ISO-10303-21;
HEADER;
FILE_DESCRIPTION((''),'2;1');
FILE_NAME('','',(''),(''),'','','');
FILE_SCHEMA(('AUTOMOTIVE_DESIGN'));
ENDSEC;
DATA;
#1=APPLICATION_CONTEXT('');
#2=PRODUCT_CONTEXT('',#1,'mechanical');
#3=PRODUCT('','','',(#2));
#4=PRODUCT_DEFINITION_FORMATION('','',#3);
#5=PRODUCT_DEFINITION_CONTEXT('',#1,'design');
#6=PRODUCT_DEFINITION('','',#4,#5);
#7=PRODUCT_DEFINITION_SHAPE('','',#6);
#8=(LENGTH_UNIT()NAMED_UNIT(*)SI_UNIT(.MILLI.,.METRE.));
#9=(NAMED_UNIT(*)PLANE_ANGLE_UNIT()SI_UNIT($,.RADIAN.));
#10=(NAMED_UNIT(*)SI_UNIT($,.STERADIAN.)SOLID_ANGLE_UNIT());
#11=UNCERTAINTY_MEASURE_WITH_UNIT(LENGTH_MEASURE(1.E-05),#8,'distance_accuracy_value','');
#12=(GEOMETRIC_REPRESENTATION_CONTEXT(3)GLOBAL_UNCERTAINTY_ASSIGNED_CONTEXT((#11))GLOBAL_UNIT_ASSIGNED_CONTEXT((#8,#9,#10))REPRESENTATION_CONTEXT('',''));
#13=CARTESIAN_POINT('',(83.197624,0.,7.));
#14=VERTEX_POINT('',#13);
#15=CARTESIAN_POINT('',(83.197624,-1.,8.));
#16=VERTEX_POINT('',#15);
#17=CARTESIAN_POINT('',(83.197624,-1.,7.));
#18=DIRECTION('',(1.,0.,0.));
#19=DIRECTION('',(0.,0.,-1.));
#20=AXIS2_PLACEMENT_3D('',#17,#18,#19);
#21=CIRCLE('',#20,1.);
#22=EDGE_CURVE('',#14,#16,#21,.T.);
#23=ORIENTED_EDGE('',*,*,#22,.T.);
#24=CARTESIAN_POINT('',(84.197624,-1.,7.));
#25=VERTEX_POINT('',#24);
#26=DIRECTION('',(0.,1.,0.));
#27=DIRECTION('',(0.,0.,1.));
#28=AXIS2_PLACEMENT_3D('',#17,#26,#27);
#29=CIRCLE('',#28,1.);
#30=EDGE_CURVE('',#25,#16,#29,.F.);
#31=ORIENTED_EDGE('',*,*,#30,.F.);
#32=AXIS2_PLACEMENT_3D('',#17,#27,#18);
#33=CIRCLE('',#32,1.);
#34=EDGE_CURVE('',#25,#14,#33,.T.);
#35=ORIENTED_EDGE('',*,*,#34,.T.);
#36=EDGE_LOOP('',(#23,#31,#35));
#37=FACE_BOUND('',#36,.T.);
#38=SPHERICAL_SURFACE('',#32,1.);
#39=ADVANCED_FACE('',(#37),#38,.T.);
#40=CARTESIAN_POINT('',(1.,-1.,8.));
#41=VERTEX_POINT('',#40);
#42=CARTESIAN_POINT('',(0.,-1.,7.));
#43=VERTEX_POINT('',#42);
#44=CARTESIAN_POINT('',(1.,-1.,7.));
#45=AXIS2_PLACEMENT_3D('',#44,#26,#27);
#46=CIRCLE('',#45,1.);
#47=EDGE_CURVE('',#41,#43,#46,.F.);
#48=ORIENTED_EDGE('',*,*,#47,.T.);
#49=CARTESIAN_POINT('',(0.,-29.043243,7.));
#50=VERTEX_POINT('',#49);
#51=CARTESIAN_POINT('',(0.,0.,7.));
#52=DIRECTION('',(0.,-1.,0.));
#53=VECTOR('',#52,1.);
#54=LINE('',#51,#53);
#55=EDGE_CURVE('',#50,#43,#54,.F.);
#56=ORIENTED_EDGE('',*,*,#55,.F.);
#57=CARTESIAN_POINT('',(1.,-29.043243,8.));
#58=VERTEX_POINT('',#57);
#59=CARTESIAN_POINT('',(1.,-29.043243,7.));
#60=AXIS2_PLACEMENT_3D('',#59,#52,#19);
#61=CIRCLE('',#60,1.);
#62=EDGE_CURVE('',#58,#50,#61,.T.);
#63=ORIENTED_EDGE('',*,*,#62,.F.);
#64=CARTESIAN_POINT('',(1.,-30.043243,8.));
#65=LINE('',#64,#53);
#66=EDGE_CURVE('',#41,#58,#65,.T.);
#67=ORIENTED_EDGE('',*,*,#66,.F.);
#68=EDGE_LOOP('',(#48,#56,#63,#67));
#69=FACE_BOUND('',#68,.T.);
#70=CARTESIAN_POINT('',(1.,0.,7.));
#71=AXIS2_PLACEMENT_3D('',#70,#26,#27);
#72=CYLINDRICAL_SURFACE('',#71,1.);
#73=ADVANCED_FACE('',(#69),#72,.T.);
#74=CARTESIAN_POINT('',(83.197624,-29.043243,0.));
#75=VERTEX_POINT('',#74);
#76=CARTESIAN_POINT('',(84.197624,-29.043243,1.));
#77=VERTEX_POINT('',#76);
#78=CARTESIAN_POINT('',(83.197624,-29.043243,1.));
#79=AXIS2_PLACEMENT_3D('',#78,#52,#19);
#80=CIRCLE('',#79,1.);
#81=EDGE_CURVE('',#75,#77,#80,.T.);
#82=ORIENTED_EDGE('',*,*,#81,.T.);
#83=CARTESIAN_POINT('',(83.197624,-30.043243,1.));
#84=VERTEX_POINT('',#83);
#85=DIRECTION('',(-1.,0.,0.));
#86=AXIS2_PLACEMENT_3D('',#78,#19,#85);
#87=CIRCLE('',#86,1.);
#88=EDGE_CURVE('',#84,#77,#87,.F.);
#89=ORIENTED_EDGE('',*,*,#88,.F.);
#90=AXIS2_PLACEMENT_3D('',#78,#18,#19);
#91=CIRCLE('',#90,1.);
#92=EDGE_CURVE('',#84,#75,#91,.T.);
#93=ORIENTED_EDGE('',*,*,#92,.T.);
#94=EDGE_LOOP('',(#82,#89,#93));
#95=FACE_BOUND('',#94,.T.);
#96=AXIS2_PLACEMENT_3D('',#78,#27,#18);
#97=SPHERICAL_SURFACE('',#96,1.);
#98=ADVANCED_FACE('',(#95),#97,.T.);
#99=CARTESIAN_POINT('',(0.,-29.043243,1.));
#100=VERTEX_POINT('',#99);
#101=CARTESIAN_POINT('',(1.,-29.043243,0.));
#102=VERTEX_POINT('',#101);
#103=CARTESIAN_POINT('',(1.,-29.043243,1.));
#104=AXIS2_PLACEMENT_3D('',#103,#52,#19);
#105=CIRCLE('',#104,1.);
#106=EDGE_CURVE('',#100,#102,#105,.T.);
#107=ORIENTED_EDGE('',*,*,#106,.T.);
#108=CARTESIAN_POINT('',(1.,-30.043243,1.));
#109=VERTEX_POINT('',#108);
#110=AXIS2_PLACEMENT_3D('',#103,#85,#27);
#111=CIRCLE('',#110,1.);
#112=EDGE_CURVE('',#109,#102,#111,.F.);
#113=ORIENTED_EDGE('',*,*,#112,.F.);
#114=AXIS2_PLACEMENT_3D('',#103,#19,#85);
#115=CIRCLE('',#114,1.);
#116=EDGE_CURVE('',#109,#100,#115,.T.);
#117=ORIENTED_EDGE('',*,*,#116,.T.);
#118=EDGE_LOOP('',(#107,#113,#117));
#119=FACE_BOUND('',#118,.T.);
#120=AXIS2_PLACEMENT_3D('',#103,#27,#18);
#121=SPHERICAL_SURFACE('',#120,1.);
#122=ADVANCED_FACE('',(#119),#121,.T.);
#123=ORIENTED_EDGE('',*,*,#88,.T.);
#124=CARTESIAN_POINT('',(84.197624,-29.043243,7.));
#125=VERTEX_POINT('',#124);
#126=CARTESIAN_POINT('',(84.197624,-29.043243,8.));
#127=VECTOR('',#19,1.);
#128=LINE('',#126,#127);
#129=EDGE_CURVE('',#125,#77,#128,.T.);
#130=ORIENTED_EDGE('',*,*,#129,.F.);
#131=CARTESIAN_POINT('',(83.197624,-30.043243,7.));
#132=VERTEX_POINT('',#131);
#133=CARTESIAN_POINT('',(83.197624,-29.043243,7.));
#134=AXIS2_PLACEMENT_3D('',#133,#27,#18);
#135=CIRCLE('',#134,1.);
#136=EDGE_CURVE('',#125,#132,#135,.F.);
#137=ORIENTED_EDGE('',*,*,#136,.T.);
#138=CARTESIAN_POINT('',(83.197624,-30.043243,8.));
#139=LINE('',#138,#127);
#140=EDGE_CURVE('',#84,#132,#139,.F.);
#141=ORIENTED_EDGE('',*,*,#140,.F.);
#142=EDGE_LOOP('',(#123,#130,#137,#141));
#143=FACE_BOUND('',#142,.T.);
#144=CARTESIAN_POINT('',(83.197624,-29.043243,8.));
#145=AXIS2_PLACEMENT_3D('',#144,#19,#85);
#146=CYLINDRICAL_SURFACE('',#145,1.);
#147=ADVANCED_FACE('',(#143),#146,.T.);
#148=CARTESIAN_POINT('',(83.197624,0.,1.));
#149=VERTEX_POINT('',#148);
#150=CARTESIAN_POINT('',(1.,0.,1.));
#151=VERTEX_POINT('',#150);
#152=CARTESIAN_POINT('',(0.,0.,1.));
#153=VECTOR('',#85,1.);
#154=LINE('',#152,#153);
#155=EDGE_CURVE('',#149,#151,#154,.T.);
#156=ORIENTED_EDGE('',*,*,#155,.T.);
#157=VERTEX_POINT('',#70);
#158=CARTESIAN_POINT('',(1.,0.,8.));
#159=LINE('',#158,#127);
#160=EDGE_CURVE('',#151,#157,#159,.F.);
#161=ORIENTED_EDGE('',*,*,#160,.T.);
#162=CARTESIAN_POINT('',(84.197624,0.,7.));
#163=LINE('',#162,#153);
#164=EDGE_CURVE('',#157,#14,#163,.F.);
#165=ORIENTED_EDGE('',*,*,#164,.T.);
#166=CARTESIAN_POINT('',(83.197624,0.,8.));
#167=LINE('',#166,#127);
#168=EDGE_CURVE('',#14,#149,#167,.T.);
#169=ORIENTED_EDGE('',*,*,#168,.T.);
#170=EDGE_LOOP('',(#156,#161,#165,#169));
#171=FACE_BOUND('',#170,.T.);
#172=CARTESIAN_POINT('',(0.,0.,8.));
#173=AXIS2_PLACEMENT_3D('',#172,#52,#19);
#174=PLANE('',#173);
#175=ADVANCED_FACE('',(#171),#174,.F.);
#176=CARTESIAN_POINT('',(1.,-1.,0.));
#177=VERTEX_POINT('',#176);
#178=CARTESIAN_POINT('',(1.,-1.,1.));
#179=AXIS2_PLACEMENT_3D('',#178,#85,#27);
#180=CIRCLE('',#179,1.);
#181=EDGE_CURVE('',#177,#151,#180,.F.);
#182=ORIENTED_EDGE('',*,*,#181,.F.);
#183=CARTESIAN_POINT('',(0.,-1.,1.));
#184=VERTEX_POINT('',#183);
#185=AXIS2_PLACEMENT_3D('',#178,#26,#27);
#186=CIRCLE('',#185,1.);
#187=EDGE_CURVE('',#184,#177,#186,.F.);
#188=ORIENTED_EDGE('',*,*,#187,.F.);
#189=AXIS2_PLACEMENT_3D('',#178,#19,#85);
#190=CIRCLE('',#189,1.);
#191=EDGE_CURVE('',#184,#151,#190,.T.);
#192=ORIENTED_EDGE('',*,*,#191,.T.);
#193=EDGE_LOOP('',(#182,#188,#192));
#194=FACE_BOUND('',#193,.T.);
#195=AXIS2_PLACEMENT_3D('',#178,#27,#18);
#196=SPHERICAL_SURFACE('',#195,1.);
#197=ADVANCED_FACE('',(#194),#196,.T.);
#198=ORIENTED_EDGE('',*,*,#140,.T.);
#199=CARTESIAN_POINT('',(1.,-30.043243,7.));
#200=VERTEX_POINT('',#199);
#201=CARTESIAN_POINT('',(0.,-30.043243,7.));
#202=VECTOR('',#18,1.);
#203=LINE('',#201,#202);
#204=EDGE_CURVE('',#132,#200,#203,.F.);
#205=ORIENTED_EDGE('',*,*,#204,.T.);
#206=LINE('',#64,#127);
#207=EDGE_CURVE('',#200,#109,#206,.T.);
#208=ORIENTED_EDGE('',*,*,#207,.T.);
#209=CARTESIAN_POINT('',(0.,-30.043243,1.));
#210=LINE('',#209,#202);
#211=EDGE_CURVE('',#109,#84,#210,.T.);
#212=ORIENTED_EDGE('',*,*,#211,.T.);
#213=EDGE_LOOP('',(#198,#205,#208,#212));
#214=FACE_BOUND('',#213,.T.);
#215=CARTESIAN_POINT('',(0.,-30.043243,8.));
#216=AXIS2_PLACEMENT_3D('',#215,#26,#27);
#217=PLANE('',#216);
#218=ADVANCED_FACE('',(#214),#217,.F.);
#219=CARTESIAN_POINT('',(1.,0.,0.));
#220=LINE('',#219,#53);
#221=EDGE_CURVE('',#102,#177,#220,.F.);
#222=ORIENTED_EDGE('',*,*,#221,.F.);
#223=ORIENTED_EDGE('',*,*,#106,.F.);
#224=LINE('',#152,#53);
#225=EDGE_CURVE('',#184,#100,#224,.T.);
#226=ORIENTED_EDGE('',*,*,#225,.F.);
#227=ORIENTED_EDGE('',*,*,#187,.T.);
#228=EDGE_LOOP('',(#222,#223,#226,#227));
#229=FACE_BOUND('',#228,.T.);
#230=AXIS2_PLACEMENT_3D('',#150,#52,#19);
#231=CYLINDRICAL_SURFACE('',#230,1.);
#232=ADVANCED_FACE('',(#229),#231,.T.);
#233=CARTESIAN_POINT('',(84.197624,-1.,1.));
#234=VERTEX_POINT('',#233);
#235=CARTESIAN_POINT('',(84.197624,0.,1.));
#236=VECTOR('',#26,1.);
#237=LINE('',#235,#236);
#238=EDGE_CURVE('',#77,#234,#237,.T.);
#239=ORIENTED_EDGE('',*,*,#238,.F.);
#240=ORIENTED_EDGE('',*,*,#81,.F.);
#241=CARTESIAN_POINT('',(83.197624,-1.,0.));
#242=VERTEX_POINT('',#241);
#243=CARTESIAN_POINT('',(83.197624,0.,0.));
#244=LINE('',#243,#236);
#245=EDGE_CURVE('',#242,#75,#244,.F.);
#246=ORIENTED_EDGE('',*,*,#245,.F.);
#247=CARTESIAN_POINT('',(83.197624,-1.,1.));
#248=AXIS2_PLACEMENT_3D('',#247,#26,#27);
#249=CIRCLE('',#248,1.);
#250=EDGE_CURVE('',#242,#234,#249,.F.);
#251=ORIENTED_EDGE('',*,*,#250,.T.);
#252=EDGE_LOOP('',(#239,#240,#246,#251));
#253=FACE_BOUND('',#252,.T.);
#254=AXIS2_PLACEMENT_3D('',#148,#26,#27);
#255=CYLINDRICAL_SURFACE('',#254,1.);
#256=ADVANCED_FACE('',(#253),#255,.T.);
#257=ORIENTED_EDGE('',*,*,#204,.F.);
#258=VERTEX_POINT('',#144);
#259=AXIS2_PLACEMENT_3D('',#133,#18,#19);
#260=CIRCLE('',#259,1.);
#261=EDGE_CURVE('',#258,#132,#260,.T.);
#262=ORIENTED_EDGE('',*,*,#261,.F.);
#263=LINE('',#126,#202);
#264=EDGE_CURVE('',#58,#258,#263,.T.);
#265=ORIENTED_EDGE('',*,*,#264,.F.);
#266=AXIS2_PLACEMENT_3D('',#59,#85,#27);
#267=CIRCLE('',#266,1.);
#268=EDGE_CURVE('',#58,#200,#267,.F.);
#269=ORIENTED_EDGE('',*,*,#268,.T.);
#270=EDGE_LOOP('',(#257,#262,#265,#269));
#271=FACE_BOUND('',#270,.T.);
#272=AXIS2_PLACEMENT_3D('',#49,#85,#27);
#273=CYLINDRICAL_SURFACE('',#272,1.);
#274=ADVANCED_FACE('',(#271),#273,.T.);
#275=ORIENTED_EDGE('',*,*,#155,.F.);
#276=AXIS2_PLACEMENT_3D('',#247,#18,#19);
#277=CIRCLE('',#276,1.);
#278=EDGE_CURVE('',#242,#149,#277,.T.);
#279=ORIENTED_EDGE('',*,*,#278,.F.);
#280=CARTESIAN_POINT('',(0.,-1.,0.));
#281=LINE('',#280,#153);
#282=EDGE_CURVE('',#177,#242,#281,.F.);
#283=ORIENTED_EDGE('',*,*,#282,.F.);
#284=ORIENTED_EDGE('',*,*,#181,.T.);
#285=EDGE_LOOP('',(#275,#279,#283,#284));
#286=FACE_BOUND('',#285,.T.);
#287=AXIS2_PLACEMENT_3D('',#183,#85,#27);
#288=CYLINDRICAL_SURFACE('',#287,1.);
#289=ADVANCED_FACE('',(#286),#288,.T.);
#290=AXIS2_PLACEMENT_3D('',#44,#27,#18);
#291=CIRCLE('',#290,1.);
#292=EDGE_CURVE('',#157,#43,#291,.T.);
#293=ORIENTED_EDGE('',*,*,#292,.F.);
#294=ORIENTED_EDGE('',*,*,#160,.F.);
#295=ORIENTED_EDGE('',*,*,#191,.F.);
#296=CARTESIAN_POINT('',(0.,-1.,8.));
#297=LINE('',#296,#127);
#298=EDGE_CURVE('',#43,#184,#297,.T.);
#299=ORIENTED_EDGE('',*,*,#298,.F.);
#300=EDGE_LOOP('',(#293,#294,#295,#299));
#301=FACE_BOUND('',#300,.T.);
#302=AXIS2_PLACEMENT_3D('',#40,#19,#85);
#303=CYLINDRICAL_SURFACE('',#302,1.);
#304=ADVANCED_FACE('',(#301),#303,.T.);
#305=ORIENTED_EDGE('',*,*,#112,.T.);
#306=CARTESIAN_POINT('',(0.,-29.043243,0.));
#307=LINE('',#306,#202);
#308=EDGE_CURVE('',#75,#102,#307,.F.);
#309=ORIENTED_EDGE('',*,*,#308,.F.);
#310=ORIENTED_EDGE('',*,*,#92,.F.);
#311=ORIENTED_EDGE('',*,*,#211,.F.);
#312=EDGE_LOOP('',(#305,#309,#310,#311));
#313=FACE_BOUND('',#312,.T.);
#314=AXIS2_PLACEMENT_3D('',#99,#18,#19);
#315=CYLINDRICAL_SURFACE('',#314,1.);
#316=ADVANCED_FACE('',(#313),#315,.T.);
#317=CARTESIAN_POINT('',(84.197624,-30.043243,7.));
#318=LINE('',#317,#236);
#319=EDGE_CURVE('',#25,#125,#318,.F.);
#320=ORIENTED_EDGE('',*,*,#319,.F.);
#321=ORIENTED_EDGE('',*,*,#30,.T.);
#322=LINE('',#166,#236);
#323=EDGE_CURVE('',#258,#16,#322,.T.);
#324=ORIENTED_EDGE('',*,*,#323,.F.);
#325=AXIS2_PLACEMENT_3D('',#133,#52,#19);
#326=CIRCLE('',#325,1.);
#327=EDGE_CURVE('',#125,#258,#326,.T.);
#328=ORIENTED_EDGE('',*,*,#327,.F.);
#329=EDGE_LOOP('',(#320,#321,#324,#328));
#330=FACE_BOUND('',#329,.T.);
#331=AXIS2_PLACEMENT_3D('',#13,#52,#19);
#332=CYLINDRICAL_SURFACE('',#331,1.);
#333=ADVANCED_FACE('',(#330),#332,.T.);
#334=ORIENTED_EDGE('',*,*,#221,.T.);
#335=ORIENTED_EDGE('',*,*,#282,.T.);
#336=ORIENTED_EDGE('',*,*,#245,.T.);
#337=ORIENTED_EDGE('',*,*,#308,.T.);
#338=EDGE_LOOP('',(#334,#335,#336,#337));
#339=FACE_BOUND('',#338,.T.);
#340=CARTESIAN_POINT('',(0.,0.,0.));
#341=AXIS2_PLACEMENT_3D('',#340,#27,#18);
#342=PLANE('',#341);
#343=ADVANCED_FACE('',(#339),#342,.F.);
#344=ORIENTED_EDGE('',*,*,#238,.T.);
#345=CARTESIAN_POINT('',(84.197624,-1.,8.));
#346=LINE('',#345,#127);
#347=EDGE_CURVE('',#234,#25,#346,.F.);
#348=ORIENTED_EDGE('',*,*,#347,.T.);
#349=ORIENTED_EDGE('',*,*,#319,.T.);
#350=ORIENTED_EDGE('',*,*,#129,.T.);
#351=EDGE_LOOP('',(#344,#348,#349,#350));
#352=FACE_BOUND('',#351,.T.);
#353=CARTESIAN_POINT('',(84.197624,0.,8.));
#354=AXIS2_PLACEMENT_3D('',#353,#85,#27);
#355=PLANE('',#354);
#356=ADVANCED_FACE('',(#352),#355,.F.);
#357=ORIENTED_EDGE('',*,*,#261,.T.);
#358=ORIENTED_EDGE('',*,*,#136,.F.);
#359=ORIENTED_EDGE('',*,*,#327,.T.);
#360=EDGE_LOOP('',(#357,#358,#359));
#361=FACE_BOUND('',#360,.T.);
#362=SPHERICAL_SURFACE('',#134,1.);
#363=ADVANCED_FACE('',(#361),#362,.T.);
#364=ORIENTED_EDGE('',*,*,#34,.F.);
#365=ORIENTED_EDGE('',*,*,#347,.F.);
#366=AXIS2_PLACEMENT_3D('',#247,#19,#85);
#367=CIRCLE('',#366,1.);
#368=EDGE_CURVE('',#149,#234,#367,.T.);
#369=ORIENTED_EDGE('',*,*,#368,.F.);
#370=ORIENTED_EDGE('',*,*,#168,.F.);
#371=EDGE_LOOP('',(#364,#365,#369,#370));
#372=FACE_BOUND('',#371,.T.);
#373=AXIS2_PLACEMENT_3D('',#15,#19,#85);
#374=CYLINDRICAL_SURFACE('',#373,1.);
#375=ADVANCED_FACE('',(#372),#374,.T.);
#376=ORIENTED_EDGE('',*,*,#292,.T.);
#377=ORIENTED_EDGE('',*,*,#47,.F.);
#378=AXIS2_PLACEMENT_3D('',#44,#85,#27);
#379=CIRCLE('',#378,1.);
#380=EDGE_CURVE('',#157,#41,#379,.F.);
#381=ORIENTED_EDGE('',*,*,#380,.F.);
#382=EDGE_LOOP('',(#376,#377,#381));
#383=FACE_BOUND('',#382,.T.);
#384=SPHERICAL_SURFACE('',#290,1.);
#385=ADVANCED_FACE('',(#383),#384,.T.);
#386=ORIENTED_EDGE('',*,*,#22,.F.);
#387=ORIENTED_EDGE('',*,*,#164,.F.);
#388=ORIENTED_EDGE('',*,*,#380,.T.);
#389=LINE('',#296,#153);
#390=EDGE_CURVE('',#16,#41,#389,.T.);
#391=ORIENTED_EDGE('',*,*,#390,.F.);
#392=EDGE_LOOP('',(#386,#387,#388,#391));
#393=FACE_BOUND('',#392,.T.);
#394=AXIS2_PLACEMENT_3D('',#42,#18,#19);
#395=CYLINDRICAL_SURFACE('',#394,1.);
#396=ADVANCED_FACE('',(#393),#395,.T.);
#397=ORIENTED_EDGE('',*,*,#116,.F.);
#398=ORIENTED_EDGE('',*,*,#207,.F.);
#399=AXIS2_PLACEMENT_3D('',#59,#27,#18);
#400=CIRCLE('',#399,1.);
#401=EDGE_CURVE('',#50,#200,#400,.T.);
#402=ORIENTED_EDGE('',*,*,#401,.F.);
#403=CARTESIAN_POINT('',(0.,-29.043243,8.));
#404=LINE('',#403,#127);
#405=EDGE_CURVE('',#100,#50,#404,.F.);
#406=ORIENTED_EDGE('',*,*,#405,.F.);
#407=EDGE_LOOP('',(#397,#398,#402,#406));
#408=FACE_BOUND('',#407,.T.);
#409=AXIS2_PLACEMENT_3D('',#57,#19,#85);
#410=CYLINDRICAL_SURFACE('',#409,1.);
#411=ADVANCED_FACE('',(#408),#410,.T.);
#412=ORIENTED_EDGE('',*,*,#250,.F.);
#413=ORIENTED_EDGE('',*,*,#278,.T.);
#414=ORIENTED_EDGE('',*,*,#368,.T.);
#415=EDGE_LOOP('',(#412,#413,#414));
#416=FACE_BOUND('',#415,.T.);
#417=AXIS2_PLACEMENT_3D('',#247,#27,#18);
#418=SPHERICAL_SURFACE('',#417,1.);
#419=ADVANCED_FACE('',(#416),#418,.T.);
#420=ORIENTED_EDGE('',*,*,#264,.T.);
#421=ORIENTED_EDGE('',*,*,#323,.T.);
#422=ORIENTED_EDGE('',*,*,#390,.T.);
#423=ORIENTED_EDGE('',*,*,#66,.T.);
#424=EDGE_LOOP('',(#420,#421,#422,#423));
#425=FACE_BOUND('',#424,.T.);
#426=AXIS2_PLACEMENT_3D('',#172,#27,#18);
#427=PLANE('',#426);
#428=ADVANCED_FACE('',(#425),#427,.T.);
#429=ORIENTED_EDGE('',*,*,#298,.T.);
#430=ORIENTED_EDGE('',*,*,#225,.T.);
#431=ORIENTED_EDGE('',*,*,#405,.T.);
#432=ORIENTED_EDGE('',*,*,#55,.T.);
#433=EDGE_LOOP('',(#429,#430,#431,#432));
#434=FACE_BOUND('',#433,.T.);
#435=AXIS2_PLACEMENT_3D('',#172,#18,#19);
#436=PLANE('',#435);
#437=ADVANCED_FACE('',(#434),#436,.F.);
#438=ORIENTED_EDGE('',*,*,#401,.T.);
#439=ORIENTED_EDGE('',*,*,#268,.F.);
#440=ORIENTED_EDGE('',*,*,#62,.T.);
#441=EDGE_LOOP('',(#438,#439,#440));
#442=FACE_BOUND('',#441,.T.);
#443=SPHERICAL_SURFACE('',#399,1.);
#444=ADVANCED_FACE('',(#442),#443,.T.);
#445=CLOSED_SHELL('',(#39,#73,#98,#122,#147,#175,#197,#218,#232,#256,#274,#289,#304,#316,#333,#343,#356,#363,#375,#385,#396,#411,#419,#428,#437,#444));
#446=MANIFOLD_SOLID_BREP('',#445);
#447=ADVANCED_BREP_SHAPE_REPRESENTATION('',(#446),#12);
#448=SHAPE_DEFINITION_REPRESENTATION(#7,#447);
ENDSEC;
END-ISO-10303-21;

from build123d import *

# Parameters (mm, degrees)
SKETCH2_W           = 84.197623914
SKETCH2_H           = 30.043243078
BOSS_EXTRUDE1_DEPTH = 8
FILLET5_R           = 1


with BuildPart() as part:
    # Sketch2 → Boss-Extrude1 (new body)
    with BuildSketch(Plane.XY):
        with Locations((42.098811957, -15.021621539)):
            Rectangle(SKETCH2_W, SKETCH2_H)
    extrude(amount=BOSS_EXTRUDE1_DEPTH)

    # Fillet5
    fillet5_edges = [part.edges().sort_by_distance(p)[0] for p in [
        (84.197623914, -15.021621539, 8),
        (42.098811957, 0, 8),
        (0, -15.021621539, 8),
        (42.098811957, 0, 0),
        (84.197623914, -15.021621539, 0),
        (42.098811957, -30.043243078, 0),
        (0, -15.021621539, 0),
        (0, 0, 4),
        (84.197623914, 0, 4),
        (84.197623914, -30.043243078, 4),
        (0, -30.043243078, 4),
        (42.098811957, -30.043243078, 8),
    ]]
    fillet(fillet5_edges, radius=FILLET5_R)


solid = part.part
